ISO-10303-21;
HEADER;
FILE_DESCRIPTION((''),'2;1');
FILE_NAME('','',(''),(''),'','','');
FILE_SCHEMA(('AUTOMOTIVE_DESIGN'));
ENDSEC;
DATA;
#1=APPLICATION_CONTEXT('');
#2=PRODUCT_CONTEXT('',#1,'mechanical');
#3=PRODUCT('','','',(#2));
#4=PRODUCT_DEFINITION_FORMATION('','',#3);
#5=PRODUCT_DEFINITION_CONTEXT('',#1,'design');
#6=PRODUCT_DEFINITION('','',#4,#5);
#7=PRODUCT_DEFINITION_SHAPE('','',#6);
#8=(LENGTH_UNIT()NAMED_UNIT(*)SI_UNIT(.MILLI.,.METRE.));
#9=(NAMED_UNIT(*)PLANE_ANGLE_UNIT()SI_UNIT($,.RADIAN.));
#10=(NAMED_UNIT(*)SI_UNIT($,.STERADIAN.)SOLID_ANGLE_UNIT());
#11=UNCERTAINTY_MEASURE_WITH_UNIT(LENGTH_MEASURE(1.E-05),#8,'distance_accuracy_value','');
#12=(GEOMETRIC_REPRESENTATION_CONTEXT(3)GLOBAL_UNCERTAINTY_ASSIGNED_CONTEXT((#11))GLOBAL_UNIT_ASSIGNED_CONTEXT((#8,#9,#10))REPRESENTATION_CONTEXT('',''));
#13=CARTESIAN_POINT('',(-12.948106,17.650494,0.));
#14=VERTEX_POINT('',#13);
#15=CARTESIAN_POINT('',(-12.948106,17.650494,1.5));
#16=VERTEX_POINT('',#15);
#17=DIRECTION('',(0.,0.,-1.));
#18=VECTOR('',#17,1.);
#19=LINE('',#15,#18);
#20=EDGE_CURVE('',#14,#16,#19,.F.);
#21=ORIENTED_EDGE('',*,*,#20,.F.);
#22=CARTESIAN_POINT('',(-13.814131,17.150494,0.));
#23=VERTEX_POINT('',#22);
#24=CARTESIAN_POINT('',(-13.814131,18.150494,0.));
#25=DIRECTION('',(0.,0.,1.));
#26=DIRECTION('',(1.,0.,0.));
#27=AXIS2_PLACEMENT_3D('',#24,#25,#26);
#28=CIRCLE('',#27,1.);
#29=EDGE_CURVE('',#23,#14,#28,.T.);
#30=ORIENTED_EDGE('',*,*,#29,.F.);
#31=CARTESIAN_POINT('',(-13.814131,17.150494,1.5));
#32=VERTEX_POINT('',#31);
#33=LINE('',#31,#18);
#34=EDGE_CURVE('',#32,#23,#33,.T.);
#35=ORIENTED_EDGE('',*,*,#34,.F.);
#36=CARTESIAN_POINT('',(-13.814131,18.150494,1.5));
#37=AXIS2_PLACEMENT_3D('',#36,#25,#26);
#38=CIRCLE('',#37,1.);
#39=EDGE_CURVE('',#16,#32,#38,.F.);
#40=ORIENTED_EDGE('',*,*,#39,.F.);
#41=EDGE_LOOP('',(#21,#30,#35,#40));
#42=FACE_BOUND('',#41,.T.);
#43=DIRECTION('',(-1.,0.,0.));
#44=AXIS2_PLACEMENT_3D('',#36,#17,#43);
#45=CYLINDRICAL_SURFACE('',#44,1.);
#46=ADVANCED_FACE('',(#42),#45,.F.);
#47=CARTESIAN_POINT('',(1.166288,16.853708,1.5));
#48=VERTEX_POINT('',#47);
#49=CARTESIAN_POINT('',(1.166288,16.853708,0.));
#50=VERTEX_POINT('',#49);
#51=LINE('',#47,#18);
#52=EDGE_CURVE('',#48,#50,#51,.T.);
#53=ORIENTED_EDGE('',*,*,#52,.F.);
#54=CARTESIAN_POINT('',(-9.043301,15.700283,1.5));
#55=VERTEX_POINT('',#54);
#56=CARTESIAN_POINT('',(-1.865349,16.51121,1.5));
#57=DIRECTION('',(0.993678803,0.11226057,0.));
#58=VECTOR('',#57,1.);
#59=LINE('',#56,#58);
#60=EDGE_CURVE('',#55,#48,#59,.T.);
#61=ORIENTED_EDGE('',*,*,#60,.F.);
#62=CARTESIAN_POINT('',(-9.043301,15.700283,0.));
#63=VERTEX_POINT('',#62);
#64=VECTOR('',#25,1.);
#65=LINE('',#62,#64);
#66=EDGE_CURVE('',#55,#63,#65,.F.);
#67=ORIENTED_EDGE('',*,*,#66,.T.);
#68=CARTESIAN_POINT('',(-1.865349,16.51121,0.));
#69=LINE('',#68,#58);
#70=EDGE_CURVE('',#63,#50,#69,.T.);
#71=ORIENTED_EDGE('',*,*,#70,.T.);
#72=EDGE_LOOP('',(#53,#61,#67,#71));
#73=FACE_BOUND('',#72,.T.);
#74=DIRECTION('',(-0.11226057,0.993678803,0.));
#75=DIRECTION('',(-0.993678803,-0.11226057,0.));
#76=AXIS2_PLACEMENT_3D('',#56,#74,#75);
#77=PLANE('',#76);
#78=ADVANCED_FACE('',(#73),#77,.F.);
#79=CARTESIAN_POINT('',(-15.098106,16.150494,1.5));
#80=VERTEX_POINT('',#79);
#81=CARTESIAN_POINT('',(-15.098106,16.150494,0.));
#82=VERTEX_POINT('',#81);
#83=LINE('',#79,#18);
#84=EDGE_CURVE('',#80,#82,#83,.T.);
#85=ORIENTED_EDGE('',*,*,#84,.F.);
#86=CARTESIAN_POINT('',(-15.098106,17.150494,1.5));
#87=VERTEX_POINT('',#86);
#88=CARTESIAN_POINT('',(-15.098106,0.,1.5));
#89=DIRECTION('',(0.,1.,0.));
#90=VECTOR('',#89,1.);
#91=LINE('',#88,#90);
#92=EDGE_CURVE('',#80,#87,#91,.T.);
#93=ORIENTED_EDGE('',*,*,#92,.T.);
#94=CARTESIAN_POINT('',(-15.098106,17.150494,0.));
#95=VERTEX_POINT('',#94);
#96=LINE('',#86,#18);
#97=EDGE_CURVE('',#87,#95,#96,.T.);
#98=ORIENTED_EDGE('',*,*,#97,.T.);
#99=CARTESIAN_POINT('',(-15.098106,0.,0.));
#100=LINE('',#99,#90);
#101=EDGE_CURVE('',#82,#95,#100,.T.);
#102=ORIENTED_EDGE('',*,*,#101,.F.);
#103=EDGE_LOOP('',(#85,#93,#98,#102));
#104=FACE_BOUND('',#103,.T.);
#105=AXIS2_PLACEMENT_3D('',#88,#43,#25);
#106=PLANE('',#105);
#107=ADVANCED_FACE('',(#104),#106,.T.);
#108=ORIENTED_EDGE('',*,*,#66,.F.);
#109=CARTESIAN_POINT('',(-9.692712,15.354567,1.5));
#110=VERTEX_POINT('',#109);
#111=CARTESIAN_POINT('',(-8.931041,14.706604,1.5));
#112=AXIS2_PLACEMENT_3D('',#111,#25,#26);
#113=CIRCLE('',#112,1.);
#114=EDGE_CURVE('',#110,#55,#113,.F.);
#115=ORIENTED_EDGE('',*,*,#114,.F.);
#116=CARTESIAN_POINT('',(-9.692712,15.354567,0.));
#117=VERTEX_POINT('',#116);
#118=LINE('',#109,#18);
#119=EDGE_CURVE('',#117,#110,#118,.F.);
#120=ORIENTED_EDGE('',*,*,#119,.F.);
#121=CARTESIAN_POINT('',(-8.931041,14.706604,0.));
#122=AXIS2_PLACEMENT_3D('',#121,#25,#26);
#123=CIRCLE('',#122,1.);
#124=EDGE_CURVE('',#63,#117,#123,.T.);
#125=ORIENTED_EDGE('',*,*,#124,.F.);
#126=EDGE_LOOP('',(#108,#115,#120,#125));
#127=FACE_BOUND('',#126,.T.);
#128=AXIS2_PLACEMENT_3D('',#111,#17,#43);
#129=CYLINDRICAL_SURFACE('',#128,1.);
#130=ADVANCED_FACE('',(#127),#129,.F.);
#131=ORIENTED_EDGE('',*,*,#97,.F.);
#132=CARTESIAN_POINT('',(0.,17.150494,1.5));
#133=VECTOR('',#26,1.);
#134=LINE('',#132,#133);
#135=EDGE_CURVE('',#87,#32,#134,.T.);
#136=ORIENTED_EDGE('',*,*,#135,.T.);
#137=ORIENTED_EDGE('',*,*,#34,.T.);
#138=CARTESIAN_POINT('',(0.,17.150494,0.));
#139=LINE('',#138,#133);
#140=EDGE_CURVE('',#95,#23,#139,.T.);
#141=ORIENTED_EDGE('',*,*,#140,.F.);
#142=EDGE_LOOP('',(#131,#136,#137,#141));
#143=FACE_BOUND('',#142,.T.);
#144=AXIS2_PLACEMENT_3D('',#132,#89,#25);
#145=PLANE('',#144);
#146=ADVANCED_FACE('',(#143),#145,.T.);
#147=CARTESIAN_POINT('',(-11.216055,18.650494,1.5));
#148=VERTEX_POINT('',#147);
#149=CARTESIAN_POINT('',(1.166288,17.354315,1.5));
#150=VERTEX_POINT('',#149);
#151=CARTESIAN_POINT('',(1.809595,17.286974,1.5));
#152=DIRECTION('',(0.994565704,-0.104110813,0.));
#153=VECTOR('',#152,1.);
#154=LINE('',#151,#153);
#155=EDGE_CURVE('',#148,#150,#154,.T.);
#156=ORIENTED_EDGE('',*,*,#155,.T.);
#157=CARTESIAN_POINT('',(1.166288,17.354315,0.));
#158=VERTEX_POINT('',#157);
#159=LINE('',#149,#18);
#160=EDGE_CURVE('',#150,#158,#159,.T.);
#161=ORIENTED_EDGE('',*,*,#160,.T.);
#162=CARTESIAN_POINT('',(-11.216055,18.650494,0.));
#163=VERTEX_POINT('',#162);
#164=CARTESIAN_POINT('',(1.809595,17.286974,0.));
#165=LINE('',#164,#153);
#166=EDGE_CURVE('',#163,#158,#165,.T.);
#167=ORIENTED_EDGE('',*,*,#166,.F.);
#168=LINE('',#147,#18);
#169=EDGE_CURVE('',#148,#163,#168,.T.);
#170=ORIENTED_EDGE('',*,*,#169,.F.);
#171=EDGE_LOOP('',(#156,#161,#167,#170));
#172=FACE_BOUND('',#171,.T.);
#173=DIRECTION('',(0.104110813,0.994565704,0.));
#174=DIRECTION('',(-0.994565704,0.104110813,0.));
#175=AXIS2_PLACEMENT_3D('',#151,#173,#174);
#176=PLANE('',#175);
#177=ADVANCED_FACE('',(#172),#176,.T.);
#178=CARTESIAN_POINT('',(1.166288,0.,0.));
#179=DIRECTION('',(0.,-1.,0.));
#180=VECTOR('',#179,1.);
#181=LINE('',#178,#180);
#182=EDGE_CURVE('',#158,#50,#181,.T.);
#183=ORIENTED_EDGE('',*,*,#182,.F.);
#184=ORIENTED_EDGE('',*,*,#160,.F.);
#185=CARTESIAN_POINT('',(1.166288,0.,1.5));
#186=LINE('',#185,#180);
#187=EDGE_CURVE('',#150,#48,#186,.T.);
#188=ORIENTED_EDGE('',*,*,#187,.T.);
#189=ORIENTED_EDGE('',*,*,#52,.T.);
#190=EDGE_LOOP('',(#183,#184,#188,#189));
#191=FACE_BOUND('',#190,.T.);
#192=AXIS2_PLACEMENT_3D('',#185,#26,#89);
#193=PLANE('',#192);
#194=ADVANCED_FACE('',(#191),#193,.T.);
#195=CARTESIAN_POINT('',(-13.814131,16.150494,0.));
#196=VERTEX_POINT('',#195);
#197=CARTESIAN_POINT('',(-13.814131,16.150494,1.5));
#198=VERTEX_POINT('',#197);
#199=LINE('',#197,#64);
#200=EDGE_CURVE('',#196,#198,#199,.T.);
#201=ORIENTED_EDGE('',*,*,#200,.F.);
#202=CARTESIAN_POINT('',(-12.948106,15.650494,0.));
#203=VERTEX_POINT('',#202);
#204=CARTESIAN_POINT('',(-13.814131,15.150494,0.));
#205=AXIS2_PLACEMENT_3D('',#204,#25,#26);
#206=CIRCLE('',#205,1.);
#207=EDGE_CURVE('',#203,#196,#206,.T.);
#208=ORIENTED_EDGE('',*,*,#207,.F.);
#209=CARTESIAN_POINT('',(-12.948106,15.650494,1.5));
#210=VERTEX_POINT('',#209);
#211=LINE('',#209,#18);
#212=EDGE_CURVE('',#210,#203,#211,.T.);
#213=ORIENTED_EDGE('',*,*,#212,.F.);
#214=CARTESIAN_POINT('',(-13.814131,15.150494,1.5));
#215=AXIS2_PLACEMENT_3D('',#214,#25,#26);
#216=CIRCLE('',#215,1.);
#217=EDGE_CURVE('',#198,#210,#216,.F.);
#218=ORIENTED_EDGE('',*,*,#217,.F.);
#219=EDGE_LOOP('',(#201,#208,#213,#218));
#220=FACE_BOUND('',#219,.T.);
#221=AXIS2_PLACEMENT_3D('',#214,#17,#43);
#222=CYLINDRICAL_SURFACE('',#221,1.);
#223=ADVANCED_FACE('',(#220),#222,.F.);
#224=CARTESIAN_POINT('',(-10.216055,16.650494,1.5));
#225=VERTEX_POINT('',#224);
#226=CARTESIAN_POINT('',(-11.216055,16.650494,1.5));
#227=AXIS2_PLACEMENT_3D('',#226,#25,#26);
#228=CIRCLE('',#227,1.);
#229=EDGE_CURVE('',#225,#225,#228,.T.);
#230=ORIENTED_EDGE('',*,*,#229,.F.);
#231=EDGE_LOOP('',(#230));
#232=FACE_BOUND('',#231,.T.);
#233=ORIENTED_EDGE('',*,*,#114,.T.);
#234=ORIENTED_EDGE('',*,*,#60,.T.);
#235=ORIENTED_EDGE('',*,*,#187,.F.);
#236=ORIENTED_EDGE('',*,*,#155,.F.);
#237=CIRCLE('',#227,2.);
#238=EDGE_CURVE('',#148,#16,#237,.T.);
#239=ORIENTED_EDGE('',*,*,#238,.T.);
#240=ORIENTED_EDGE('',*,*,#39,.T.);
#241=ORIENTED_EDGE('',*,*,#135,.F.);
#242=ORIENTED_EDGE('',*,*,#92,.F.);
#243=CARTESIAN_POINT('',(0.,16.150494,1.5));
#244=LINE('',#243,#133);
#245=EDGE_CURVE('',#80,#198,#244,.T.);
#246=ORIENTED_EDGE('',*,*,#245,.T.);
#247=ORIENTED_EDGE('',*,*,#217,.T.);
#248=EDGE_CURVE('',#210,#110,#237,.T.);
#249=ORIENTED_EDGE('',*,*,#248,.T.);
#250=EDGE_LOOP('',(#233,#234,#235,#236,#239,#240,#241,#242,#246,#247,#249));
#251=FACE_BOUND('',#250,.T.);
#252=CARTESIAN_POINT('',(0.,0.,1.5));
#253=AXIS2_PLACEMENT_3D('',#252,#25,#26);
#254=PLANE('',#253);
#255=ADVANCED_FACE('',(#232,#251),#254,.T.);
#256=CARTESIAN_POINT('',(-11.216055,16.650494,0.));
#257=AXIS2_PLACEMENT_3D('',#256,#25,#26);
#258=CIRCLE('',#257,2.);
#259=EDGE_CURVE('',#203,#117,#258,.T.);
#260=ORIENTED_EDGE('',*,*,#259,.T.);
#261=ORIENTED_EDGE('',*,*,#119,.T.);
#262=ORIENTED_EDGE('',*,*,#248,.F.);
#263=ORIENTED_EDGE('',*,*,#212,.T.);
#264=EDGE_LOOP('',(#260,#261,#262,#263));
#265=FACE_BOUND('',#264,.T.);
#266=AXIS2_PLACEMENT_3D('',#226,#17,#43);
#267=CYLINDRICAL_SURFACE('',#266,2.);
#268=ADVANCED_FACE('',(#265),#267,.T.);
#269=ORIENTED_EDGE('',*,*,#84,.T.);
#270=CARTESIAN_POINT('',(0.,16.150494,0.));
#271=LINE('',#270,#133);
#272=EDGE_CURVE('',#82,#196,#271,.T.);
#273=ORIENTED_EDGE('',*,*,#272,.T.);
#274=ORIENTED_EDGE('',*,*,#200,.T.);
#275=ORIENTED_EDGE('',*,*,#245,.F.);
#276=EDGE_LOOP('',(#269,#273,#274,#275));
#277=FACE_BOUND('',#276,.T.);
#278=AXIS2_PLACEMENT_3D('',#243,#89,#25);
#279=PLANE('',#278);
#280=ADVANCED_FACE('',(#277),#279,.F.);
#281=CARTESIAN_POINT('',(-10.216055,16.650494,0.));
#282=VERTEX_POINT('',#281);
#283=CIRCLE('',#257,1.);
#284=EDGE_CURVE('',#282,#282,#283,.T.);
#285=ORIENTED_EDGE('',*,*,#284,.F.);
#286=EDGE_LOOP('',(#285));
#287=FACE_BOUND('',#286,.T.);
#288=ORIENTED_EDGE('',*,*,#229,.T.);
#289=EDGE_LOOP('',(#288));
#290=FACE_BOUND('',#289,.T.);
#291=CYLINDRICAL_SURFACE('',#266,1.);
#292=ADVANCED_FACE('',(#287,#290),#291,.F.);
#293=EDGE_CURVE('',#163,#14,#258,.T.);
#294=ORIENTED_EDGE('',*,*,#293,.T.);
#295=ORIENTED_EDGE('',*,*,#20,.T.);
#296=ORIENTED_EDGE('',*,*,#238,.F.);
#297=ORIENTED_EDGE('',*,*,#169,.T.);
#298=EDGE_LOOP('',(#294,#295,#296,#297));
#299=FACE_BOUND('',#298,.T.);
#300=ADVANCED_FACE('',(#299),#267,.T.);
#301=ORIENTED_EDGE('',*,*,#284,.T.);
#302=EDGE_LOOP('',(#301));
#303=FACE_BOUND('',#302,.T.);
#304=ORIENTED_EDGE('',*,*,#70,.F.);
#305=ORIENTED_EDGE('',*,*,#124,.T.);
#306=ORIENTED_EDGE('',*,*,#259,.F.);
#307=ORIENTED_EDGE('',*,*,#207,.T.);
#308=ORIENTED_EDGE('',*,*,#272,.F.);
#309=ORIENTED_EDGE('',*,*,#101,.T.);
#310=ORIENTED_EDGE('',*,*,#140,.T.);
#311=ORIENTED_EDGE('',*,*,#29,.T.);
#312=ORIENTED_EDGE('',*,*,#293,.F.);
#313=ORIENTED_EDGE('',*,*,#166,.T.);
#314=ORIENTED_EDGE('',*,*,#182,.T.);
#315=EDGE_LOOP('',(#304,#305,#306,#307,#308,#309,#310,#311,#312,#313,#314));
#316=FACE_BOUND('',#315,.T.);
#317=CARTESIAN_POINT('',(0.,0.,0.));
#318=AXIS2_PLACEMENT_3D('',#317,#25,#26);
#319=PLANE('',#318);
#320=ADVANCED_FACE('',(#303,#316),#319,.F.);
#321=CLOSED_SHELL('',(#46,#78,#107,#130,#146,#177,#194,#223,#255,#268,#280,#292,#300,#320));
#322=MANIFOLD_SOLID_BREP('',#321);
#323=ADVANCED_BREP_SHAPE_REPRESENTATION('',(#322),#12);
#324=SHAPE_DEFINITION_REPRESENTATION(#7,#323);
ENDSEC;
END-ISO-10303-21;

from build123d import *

# Parameters (mm, degrees)
SKETCH1_R           = 1
BOSS_EXTRUDE1_DEPTH = 1.5
FILLET1_R           = 1
FILLET2_R           = 1
FILLET3_R           = 1


with BuildPart() as part:
    # Sketch1 → Boss-Extrude1 (new body)
    with BuildSketch(Plane.XY):
        with BuildLine():
            Line((1.166287968, 16.85370801), (1.166287968, 17.354314772))
            Line((1.166287968, 17.354314772), (-11.216055041, 18.650494389))
            ThreePointArc((-11.216055041, 18.650494389), (-12.440799912, 18.231633219), (-13.152546714, 17.150494389))
            Line((-13.152546714, 17.150494389), (-15.098105849, 17.150494389))
            Line((-15.098105849, 17.150494389), (-15.098105849, 16.150494389))
            Line((-15.098105849, 16.150494389), (-13.152546714, 16.150494389))
            ThreePointArc((-13.152546714, 16.150494389), (-11.486145798, 14.66881556), (-9.484004234, 15.650494389))
            Line((-9.484004234, 15.650494389), (1.166287968, 16.85370801))
        make_face()
        with Locations((-11.216055041, 16.650494389)):
            Circle(SKETCH1_R, mode=Mode.SUBTRACT)
    extrude(amount=BOSS_EXTRUDE1_DEPTH)

    # Fillet1
    fillet1_edges = [part.edges().sort_by_distance(p)[0] for p in [
        (-13.152546714, 16.150494389, 0.75),
    ]]
    fillet(fillet1_edges, radius=FILLET1_R)

    # Fillet2
    fillet2_edges = [part.edges().sort_by_distance(p)[0] for p in [
        (-13.152546714, 17.150494389, 0.75),
    ]]
    fillet(fillet2_edges, radius=FILLET2_R)

    # Fillet3
    fillet3_edges = [part.edges().sort_by_distance(p)[0] for p in [
        (-9.484004234, 15.650494389, 0.75),
    ]]
    fillet(fillet3_edges, radius=FILLET3_R)


solid = part.part
